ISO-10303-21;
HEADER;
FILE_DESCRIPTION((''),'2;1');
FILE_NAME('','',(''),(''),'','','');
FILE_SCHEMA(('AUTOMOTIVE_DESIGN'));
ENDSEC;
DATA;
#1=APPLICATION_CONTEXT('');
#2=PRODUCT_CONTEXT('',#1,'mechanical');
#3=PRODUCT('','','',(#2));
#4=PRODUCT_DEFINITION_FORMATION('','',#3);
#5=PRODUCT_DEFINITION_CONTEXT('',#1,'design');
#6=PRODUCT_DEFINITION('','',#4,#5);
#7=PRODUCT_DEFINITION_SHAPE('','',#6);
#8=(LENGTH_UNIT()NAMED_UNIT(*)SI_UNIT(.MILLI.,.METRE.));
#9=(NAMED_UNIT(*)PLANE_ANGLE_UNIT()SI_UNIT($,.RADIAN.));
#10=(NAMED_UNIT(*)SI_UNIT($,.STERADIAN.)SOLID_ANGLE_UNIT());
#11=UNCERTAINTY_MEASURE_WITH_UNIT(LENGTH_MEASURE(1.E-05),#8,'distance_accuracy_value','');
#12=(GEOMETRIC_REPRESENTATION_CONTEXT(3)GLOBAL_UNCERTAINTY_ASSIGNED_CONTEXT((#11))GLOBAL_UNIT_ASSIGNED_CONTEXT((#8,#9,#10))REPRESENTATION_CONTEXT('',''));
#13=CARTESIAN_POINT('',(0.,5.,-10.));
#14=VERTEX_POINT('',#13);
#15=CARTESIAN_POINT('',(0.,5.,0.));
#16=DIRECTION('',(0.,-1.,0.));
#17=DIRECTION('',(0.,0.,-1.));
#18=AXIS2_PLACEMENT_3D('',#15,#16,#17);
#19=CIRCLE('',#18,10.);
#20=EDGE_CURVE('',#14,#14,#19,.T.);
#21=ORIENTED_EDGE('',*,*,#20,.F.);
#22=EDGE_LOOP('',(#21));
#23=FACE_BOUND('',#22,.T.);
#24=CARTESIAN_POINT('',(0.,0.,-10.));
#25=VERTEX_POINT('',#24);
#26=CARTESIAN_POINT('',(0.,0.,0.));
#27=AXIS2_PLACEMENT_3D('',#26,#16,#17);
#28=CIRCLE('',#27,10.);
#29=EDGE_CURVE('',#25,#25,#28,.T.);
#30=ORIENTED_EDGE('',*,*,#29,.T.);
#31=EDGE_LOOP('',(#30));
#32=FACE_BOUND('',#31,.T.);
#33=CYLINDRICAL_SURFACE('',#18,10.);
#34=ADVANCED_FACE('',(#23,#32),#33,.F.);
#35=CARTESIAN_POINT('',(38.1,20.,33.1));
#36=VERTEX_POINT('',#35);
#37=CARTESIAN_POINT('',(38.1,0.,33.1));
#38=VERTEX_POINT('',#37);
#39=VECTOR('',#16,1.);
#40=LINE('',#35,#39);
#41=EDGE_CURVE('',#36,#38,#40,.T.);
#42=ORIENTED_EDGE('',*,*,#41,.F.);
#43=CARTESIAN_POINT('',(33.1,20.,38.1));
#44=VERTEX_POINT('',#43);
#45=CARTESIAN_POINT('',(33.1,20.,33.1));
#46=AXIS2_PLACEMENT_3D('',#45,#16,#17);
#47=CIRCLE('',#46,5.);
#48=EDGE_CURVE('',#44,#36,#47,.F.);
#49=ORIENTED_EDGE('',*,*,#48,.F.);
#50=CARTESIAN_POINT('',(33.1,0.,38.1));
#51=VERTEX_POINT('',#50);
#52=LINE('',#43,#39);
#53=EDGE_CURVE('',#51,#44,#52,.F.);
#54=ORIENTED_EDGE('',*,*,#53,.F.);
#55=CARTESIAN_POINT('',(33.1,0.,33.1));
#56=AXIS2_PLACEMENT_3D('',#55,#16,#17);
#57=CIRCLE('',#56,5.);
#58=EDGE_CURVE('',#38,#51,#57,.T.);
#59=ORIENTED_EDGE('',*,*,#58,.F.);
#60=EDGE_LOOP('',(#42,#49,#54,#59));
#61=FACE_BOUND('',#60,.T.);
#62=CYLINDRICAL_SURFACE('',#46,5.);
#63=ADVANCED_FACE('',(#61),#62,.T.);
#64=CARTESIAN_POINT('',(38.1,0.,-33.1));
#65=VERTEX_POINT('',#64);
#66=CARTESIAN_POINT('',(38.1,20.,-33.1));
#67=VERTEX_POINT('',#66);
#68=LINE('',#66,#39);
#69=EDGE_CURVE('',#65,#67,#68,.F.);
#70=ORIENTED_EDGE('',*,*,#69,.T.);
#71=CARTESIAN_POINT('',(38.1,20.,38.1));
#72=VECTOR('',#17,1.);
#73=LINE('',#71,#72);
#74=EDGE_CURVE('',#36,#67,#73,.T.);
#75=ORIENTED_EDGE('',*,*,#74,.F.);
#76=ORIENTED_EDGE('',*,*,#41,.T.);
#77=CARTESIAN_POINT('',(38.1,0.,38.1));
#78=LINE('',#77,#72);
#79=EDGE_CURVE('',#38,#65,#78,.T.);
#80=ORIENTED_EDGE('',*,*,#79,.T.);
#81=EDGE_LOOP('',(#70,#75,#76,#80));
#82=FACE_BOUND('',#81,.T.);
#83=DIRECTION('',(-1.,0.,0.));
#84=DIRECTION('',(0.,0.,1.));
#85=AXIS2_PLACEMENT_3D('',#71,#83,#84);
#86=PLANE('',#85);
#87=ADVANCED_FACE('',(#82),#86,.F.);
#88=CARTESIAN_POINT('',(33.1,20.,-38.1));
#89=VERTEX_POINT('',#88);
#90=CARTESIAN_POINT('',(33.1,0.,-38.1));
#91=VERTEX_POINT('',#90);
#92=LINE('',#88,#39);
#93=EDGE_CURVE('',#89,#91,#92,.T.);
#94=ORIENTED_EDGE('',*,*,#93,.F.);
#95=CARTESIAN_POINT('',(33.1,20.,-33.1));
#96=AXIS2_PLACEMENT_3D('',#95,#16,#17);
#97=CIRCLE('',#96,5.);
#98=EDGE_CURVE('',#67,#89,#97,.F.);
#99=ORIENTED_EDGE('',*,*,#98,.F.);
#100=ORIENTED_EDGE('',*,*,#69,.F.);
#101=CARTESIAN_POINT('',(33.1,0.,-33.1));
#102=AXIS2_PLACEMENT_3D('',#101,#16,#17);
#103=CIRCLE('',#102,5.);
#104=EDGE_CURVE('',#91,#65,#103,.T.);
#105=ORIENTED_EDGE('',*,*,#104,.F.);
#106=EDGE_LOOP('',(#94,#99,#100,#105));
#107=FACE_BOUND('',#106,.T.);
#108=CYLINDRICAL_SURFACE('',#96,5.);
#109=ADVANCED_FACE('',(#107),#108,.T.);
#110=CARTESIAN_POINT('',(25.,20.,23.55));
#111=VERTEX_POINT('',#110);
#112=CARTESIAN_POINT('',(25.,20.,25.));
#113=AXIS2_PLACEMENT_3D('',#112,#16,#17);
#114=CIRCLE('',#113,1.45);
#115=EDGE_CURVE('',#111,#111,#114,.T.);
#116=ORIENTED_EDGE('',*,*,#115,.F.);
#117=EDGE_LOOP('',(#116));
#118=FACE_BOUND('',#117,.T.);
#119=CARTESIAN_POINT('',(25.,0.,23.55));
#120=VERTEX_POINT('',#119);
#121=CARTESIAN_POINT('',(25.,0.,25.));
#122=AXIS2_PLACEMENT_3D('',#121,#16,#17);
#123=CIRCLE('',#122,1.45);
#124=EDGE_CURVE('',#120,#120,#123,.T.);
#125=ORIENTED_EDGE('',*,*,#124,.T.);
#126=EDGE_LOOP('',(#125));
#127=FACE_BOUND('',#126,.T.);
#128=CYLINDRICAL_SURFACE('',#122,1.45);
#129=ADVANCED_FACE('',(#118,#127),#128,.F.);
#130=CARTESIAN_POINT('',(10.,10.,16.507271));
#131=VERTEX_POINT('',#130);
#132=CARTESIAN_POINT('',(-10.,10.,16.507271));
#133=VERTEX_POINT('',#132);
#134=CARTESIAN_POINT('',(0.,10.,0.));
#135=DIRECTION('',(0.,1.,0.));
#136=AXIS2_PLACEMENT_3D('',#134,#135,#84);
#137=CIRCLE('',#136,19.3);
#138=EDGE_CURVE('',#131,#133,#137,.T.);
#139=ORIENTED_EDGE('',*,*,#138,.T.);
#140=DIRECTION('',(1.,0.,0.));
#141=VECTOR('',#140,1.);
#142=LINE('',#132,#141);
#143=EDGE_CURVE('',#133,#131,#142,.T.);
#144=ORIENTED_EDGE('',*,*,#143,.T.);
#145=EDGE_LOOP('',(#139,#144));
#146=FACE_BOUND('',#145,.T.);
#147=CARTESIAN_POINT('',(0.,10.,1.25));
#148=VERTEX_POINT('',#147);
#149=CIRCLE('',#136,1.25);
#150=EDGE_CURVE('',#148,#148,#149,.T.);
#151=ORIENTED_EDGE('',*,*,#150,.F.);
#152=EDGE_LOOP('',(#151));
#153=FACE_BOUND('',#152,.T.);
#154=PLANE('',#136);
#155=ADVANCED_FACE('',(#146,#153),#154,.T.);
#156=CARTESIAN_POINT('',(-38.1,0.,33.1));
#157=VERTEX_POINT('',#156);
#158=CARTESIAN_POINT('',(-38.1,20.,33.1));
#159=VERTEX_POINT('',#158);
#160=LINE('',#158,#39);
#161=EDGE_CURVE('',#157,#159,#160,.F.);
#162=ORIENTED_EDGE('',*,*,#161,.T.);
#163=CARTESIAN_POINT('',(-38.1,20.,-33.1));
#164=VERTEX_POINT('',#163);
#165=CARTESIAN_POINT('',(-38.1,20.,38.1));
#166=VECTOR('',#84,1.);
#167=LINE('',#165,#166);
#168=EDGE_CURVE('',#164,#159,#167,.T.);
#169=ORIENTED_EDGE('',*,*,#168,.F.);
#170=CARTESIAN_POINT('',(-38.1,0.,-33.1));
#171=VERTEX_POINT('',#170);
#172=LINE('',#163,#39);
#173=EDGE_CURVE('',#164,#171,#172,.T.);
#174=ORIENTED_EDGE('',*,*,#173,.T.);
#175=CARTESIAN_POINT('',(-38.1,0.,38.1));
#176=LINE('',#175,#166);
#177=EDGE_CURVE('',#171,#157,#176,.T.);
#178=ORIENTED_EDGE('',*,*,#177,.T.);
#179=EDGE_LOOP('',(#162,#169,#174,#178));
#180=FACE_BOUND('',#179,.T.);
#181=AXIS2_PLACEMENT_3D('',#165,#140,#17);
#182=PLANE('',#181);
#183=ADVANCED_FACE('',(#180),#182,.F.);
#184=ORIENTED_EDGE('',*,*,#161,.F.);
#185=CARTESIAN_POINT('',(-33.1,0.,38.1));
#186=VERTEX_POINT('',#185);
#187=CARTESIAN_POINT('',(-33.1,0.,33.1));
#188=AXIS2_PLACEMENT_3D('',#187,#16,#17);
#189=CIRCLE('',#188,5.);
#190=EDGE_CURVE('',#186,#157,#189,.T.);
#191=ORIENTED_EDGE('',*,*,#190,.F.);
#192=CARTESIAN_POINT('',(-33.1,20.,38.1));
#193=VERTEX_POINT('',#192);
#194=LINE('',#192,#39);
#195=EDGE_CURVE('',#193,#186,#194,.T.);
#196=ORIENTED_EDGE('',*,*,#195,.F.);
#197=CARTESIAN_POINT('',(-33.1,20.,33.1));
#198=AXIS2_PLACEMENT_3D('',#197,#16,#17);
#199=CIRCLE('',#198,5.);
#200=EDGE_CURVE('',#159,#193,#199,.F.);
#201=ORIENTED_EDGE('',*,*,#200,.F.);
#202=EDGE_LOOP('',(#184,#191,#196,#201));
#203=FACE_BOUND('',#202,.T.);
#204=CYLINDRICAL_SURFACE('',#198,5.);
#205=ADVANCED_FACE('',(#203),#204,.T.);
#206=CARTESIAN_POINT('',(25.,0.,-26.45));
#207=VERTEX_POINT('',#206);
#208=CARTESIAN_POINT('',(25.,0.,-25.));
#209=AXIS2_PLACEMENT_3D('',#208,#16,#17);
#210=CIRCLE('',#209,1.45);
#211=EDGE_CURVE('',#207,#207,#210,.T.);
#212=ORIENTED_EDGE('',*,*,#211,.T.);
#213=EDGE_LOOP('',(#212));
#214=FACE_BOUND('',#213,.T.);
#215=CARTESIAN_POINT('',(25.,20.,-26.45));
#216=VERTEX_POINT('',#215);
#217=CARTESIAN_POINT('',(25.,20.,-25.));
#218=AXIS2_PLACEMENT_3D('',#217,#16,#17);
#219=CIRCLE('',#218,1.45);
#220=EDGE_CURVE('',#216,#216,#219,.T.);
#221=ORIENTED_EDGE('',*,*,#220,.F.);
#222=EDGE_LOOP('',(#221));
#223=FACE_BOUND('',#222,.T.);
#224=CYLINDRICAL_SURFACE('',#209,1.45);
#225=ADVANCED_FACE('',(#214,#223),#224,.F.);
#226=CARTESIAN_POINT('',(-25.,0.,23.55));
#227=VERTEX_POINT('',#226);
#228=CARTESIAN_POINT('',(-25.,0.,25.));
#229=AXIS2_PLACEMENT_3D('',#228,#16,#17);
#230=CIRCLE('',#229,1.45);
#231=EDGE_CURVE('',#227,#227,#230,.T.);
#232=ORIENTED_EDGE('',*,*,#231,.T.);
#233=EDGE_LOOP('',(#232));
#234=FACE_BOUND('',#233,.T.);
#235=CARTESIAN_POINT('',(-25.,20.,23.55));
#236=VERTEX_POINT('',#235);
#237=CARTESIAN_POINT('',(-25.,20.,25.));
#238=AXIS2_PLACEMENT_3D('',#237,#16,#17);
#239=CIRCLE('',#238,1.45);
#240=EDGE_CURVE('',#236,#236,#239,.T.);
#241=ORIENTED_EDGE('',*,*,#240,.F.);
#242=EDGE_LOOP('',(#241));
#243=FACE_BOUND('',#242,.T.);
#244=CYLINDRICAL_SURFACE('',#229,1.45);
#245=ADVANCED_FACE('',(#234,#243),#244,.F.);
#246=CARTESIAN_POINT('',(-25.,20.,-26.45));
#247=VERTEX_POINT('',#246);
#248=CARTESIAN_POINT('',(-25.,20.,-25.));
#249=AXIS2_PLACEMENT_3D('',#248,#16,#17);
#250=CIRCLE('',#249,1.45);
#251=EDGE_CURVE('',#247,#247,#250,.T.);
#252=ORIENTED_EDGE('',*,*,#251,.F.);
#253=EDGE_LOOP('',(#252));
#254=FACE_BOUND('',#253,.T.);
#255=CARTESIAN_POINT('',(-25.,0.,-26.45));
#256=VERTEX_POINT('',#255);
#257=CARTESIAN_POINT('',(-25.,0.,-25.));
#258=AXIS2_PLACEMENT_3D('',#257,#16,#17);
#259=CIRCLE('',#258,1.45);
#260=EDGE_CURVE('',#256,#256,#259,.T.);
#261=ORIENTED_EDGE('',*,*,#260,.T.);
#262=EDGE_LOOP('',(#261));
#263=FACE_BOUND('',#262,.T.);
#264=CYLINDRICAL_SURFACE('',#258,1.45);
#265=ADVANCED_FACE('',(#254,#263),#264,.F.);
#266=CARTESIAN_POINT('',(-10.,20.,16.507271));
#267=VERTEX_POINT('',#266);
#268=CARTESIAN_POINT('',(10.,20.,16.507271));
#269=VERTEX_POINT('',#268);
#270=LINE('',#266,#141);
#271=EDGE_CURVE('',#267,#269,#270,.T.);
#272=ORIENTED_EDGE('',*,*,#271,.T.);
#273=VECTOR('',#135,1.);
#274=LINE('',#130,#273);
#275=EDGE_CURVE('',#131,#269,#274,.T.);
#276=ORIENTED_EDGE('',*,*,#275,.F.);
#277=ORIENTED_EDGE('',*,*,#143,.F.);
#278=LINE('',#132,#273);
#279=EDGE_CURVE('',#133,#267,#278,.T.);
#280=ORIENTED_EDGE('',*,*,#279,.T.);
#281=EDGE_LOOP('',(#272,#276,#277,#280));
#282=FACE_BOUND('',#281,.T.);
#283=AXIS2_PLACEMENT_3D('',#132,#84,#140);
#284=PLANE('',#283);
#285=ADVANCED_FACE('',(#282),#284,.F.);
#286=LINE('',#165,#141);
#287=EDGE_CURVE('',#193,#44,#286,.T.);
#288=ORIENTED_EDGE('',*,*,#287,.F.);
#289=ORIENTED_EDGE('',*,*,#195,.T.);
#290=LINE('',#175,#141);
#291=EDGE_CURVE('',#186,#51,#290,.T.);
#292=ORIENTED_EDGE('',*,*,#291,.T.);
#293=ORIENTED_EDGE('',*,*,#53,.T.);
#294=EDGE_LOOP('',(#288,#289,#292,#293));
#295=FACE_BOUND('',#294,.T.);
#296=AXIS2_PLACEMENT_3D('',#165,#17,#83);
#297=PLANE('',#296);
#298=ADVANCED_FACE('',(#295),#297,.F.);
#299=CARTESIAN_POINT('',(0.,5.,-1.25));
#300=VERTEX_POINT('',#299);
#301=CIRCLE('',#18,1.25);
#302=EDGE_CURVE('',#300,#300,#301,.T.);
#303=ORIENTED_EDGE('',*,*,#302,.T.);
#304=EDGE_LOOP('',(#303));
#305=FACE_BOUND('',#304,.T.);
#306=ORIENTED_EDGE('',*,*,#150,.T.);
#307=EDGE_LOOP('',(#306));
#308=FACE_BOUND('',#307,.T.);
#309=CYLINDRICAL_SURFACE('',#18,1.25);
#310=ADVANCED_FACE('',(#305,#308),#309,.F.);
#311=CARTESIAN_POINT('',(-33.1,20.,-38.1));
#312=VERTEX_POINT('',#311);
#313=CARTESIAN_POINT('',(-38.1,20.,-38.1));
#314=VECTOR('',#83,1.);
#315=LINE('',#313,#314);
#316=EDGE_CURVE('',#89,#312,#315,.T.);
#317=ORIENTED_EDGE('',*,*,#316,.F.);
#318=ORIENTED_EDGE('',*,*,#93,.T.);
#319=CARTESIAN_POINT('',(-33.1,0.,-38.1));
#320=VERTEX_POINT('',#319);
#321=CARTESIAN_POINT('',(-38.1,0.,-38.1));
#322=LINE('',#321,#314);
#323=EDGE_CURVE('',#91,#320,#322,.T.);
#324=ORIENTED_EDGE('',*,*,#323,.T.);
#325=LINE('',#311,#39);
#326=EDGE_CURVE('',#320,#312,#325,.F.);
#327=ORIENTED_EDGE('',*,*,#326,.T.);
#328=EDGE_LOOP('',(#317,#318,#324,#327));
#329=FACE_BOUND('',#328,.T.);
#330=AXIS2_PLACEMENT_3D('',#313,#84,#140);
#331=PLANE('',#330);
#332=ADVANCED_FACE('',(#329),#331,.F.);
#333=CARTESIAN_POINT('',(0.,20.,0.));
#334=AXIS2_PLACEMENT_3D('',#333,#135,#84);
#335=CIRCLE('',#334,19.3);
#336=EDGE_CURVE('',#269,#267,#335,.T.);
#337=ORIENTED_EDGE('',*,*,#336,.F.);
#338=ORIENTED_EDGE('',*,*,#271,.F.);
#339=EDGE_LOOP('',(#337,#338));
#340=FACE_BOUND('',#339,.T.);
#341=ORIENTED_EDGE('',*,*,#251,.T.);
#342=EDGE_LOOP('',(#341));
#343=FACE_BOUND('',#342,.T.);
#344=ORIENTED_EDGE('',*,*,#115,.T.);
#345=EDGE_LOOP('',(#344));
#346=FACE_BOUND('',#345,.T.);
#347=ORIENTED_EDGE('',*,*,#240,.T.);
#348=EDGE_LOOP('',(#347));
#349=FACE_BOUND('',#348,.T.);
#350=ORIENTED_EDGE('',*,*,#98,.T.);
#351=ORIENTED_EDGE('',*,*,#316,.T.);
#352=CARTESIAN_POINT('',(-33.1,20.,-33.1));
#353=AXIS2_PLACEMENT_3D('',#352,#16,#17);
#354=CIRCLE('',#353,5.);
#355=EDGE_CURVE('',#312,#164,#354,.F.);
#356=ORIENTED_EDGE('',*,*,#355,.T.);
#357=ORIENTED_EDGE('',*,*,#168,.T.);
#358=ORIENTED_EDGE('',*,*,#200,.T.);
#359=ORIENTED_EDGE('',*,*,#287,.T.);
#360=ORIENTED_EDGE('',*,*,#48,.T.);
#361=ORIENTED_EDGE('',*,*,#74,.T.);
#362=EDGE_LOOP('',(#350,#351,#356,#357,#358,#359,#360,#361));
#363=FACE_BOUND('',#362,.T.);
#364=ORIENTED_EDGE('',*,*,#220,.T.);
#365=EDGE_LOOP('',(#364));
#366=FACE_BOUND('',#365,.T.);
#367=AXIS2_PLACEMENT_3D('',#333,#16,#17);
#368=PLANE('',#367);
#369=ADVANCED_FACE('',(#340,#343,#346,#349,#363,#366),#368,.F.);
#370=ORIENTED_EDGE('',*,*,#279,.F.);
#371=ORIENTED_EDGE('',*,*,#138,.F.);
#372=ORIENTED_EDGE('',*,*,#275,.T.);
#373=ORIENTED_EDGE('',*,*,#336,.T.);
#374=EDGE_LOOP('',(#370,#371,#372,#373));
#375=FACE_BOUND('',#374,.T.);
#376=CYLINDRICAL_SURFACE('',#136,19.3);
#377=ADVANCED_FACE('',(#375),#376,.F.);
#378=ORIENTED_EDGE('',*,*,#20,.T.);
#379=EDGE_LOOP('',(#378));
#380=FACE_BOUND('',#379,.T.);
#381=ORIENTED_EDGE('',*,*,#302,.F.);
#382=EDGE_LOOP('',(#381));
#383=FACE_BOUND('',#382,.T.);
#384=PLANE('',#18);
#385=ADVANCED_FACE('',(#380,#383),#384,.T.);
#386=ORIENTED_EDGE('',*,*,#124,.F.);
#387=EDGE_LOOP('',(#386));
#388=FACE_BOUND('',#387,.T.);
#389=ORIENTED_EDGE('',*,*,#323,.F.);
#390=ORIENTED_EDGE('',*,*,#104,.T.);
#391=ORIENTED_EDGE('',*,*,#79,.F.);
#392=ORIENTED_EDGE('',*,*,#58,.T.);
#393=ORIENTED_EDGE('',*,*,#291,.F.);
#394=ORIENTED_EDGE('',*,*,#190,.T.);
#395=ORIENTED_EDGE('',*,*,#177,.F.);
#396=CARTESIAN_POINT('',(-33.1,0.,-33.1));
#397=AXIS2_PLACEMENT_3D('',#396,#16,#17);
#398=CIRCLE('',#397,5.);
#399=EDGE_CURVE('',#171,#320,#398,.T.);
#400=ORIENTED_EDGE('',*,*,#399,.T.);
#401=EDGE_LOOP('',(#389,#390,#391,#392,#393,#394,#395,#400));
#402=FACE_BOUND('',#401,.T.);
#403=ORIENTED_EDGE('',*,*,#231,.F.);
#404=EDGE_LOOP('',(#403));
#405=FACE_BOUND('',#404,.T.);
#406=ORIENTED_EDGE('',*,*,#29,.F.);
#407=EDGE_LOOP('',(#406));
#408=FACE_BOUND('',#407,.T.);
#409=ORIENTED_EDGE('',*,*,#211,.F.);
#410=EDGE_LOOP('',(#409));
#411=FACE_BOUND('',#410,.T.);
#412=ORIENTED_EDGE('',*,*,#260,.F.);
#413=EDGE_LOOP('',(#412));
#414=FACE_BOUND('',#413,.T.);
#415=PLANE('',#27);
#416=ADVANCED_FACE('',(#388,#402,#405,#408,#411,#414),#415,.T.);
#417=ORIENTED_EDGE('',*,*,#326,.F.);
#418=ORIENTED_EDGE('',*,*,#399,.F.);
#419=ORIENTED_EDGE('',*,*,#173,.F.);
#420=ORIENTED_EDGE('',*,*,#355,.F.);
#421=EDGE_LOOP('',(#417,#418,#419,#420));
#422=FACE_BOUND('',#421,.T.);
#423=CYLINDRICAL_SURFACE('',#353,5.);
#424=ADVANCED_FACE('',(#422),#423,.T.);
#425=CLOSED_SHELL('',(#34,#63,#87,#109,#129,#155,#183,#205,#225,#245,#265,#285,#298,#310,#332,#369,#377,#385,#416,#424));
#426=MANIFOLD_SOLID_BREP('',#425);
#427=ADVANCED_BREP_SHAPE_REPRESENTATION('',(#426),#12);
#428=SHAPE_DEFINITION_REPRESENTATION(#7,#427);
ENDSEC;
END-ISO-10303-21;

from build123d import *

# Parameters (mm, degrees)
SKETCH2_W                     = 76.2
SKETCH2_H                     = 76.2
BOSS_EXTRUDE1_DEPTH           = 20
CUT_EXTRUDE1_DEPTH            = 10
SKETCH4_R                     = 10
CUT_EXTRUDE2_DEPTH            = 5
TAP_DRILL_FOR_M3X0_5_TAP1_D   = 2.5
FILLET1_R                     = 5
TAP_DRILL_FOR_M3_5X0_6_TAP1_D = 2.9


with BuildPart() as part:
    # Sketch2 → Boss-Extrude1 (new body)
    with BuildSketch(Plane(origin=(0, 0, 0), x_dir=(1, 0, 0), z_dir=(0, 1, 0))):
        Rectangle(SKETCH2_W, SKETCH2_H)
    extrude(amount=BOSS_EXTRUDE1_DEPTH)

    # Sketch3 → Cut-Extrude1 (cut)
    with BuildSketch(Plane(origin=(0, 20, 0), x_dir=(1, 0, 0), z_dir=(0, 1, 0))):
        with BuildLine():
            Line((-10, -16.507271125), (10, -16.507271125))
            ThreePointArc((10, -16.507271125), (0, 19.3), (-10, -16.507271125))
        make_face()
    extrude(amount=-CUT_EXTRUDE1_DEPTH, mode=Mode.SUBTRACT)

    # Sketch4 → Cut-Extrude2 (cut)
    with BuildSketch(Plane.XZ):
        Circle(SKETCH4_R)
    extrude(amount=-CUT_EXTRUDE2_DEPTH, mode=Mode.SUBTRACT)

    # Tap Drill for M3x0.5 Tap1 (through all)
    with Locations(Plane(origin=(0, 5, 0), x_dir=(-1, 0, 0), z_dir=(0, -1, 0))):
        with Locations((0, 0)):
            Hole(TAP_DRILL_FOR_M3X0_5_TAP1_D / 2)

    # Fillet1
    fillet1_edges = [part.edges().sort_by_distance(p)[0] for p in [
        (38.1, 10, 38.1),
        (-38.1, 10, 38.1),
        (-38.1, 10, -38.1),
        (38.1, 10, -38.1),
    ]]
    fillet(fillet1_edges, radius=FILLET1_R)

    # Tap Drill for M3.5x0.6 Tap1 (through all)
    with Locations(Plane(origin=(0, 0, 0), x_dir=(-1, 0, 0), z_dir=(0, -1, 0))):
        with Locations((25, 25), (-25, -25), (-25, 25), (25, -25)):
            Hole(TAP_DRILL_FOR_M3_5X0_6_TAP1_D / 2)


solid = part.part
